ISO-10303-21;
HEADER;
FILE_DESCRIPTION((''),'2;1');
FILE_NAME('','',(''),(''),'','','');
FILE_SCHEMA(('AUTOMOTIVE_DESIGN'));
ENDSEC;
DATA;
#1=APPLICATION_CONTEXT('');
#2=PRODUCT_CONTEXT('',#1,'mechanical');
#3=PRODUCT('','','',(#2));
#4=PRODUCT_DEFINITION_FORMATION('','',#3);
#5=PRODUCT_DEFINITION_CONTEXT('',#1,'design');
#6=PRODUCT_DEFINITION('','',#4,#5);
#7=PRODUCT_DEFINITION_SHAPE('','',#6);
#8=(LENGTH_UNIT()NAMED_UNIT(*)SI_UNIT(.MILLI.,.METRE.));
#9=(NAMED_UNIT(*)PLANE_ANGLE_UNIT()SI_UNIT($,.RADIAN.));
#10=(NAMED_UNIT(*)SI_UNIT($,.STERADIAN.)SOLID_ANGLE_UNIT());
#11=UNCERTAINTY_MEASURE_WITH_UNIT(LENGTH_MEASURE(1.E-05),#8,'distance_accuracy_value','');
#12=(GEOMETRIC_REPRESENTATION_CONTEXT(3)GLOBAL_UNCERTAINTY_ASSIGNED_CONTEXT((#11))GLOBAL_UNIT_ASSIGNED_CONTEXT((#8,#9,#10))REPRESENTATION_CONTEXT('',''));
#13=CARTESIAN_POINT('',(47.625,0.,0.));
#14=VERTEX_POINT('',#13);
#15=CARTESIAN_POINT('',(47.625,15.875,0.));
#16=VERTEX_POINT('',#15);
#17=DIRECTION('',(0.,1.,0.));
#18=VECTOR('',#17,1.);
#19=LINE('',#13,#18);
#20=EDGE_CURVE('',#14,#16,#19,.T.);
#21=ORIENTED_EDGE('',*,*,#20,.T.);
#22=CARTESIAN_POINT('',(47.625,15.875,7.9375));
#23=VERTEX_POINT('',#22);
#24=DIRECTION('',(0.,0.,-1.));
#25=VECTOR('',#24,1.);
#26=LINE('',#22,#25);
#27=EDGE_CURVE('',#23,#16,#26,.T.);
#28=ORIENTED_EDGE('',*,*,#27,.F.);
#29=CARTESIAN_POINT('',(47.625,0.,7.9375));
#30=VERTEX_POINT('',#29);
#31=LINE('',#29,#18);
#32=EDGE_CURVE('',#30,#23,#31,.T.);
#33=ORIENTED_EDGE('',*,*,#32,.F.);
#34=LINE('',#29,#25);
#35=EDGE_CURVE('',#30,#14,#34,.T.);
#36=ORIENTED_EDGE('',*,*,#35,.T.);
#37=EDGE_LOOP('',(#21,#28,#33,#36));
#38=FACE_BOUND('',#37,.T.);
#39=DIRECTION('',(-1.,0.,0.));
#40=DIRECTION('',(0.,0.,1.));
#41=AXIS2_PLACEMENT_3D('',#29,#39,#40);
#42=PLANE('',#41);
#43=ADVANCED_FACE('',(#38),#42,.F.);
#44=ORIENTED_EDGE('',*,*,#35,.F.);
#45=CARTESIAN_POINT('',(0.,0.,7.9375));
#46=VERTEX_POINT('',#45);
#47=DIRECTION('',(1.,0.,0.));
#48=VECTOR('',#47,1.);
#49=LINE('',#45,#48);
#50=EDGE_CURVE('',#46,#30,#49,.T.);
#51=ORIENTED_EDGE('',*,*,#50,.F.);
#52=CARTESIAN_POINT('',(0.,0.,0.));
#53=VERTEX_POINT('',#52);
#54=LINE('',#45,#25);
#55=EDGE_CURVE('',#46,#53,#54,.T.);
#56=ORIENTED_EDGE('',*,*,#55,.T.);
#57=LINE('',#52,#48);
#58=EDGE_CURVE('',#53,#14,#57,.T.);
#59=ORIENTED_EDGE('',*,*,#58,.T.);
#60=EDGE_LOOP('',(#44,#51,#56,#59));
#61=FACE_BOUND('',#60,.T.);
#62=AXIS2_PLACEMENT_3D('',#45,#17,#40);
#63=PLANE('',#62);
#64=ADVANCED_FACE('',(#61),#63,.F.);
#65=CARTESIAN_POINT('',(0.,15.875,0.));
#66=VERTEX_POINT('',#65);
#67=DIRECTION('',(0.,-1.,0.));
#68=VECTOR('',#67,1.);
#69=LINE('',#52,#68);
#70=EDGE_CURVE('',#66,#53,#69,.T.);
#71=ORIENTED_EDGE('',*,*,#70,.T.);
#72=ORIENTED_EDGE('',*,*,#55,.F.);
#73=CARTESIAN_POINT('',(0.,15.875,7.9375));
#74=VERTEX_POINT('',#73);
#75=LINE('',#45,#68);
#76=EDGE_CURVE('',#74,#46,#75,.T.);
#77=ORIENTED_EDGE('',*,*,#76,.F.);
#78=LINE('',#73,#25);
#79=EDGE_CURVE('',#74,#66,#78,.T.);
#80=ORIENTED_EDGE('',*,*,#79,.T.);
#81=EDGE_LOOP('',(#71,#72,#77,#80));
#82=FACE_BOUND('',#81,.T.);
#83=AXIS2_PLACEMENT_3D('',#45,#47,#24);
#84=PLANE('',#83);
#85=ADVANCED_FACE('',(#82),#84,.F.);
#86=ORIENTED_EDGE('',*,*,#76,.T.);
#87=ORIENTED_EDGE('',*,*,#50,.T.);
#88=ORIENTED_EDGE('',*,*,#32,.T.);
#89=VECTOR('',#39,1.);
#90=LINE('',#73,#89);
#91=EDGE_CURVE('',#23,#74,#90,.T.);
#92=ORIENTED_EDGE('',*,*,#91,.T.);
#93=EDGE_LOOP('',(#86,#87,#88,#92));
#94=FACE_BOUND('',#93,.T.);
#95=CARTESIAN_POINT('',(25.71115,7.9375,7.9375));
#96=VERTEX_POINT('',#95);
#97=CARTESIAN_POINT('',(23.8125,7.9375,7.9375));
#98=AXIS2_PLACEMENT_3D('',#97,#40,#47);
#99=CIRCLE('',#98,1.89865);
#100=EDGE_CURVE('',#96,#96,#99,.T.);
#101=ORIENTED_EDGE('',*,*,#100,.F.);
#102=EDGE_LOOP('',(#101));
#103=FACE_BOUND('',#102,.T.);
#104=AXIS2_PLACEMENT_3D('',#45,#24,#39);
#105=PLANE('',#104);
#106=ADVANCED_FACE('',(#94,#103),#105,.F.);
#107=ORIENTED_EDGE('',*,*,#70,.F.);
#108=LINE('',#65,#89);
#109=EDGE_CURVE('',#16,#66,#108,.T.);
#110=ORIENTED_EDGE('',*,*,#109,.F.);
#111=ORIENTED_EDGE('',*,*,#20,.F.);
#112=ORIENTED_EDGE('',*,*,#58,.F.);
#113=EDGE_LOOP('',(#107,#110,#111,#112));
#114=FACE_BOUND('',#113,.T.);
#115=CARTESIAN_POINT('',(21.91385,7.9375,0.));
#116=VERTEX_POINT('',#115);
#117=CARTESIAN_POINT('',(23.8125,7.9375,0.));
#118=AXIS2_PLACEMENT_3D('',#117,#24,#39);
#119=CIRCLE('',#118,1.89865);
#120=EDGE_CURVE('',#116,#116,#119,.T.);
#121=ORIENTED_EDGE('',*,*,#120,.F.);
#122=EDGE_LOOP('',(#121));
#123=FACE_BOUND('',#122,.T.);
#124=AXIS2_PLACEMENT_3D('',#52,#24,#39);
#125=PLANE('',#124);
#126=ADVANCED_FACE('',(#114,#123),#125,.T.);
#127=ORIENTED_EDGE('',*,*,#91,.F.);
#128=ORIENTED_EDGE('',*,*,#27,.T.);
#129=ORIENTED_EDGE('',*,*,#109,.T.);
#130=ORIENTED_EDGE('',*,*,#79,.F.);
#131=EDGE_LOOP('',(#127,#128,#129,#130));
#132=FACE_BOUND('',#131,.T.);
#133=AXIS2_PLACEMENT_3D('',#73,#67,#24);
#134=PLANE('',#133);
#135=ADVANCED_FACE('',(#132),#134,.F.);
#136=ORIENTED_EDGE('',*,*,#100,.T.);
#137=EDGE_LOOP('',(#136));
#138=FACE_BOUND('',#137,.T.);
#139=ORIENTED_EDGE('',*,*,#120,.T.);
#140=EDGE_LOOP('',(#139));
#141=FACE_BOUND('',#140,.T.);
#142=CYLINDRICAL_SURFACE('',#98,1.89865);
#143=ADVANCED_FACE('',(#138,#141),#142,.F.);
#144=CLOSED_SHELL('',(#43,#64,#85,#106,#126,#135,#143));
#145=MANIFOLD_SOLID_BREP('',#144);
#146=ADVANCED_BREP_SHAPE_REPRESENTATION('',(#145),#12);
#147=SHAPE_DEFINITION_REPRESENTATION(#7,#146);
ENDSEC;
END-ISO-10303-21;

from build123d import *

# Parameters (mm, degrees)
SKETCH1_W                 = 47.625
SKETCH1_H                 = 15.875
BOSS_EXTRUDE1_DEPTH       = 7.9375
F_6_CLEARANCE_HOLE1_D     = 3.7973
F_6_CLEARANCE_HOLE1_DEPTH = 7.9375


with BuildPart() as part:
    # Sketch1 → Boss-Extrude1 (new body)
    with BuildSketch(Plane.XY):
        with Locations((23.8125, 7.9375)):
            Rectangle(SKETCH1_W, SKETCH1_H)
    extrude(amount=BOSS_EXTRUDE1_DEPTH)

    # #6 Clearance Hole1
    with Locations(Plane.XY.offset(7.9375)):
        with Locations((23.8125, 7.9375)):
            Hole(F_6_CLEARANCE_HOLE1_D / 2, depth=F_6_CLEARANCE_HOLE1_DEPTH)


solid = part.part
